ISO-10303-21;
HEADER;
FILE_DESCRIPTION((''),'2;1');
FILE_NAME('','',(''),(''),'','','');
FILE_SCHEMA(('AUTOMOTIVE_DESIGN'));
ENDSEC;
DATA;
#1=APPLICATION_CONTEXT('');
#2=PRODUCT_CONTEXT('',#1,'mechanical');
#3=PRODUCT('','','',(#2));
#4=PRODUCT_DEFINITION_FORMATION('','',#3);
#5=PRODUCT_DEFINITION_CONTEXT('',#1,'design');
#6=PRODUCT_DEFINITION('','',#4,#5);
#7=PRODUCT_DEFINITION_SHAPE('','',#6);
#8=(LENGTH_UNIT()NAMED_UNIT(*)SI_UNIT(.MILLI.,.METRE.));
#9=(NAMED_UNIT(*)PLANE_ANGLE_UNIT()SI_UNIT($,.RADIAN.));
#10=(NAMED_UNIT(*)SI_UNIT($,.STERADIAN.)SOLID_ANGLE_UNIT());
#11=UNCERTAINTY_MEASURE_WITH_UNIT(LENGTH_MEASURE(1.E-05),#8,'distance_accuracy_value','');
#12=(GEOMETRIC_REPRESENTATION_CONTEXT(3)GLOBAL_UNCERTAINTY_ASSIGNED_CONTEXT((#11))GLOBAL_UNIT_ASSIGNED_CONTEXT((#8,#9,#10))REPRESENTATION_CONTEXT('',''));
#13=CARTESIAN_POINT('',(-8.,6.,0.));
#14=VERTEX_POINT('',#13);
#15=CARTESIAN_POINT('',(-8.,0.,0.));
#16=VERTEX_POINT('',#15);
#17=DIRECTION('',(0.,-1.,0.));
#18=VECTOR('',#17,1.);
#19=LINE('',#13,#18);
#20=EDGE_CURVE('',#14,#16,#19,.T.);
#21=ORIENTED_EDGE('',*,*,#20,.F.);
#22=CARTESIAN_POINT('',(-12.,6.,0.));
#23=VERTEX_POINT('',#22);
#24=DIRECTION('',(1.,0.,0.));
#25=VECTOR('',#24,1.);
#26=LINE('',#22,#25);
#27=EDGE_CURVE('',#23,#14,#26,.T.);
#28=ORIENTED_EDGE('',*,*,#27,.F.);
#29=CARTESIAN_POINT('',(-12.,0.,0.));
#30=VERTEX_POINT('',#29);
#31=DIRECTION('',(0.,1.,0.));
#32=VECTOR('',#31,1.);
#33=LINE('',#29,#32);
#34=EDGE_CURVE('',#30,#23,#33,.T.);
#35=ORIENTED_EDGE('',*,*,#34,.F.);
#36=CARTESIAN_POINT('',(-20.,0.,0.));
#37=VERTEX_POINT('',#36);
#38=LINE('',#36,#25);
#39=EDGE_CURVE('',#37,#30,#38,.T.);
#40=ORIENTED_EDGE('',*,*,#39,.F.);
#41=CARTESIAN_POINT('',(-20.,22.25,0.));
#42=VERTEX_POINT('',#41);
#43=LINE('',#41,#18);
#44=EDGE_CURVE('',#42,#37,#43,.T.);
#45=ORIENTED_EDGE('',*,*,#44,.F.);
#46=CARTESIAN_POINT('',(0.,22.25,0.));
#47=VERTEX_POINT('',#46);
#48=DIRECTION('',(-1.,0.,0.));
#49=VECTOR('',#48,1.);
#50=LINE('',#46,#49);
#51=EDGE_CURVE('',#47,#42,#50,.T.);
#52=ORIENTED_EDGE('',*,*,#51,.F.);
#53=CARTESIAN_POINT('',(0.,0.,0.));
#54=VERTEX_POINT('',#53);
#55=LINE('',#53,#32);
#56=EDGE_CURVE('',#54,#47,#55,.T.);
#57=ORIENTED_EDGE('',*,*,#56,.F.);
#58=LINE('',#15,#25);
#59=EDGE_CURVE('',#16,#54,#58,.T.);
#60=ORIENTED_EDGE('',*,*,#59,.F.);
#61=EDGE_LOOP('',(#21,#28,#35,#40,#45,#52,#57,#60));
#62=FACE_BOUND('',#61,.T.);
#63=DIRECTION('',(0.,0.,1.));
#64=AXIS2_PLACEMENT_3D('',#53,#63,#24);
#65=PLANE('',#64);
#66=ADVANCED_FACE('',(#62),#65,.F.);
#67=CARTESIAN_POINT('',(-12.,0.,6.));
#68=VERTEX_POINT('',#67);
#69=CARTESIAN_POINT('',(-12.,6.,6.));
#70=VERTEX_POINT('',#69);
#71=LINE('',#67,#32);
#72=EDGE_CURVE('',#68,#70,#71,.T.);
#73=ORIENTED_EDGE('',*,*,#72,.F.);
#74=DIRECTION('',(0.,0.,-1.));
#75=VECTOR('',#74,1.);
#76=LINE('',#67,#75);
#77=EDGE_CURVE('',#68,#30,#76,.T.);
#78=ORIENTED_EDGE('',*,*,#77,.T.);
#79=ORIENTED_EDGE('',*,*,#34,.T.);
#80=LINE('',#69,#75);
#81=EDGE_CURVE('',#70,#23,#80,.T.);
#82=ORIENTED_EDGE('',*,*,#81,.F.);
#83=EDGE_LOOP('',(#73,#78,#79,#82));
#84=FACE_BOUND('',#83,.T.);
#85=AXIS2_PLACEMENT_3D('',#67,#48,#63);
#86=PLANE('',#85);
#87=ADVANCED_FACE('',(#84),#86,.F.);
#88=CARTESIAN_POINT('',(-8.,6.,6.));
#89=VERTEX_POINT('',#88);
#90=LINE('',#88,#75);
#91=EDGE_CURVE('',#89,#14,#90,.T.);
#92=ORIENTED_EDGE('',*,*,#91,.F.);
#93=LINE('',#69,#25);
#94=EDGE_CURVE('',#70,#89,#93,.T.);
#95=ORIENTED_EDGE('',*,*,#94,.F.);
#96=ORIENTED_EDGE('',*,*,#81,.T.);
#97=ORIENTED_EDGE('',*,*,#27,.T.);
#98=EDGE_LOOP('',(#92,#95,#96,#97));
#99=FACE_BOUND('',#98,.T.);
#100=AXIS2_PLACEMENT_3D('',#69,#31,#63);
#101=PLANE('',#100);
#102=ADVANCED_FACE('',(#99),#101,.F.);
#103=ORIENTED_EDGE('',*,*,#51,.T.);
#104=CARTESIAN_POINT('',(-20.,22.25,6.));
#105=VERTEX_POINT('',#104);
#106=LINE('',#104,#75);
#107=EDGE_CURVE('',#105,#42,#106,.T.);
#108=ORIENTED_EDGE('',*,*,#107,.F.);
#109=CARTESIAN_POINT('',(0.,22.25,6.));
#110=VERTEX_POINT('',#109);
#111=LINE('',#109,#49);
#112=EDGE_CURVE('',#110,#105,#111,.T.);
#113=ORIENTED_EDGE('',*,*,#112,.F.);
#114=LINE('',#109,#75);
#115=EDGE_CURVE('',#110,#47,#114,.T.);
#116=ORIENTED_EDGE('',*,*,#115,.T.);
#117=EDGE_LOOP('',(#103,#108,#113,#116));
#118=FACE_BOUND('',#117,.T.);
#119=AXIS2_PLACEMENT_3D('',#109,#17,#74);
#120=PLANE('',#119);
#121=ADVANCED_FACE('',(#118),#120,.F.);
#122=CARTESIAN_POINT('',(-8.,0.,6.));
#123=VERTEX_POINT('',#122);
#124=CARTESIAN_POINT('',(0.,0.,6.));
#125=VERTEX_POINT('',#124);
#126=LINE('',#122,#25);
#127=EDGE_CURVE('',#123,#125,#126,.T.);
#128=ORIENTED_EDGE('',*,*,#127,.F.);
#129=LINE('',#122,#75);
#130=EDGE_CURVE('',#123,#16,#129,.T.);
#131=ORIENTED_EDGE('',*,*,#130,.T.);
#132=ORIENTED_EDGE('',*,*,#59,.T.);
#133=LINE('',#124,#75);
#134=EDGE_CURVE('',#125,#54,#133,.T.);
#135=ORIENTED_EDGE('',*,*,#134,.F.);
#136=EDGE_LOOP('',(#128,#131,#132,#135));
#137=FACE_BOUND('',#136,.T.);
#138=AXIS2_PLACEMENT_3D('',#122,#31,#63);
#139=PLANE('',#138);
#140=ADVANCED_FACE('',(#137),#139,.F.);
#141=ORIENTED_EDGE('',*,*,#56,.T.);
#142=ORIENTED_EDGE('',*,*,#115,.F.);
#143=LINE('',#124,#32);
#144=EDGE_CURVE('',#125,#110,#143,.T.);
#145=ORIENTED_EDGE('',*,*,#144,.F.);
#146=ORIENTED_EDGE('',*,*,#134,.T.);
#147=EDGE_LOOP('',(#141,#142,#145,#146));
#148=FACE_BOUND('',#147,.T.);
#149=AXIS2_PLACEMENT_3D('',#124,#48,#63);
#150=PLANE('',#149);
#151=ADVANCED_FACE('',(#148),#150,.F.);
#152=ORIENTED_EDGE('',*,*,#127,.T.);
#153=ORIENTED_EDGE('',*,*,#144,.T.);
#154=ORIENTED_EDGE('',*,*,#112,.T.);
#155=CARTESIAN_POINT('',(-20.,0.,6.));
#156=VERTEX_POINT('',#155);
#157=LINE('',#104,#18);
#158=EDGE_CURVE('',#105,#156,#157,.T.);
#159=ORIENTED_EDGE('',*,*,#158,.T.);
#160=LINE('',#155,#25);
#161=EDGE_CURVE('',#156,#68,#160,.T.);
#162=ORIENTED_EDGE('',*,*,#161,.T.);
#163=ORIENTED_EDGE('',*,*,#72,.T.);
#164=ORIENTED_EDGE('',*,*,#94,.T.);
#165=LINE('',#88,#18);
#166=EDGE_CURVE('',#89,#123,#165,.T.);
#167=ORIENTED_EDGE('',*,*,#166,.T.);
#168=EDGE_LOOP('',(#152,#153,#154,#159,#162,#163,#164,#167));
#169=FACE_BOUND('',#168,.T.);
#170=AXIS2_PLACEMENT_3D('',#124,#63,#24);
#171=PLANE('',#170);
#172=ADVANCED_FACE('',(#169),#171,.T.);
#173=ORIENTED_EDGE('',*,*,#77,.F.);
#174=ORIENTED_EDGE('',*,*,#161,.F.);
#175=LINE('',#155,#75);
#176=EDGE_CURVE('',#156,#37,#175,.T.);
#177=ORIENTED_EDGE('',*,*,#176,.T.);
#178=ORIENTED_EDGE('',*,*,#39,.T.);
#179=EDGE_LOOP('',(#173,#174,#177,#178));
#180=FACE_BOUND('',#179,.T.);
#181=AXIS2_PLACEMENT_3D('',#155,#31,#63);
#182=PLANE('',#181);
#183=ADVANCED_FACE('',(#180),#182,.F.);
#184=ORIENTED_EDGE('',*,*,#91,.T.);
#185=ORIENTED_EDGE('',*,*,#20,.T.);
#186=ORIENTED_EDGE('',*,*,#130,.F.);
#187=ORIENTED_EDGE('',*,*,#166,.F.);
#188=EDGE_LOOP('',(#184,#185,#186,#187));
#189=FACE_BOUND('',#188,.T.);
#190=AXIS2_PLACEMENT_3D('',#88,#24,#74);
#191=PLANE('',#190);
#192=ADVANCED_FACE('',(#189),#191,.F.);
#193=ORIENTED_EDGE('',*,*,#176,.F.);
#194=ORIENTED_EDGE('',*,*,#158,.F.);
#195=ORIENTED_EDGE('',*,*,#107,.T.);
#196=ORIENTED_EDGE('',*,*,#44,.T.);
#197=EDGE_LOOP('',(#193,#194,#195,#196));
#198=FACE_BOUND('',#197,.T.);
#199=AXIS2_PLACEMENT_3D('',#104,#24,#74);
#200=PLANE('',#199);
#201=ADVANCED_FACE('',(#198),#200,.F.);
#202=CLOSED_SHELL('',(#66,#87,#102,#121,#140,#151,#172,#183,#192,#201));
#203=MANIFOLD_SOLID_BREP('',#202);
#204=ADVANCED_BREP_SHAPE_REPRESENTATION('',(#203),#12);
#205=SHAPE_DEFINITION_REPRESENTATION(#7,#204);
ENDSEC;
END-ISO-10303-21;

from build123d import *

# Parameters (mm, degrees)
BOSS_EXTRU_1_DEPTH = 6


with BuildPart() as part:
    # Esquisse1 → Boss.-Extru.1 (new body)
    with BuildSketch(Plane.XY):
        Polygon((0, 0), (0, 22.25), (-20, 22.25), (-20, 0), (-12, 0), (-12, 6), (-8, 6), (-8, 0), align=None)
    extrude(amount=BOSS_EXTRU_1_DEPTH)


solid = part.part
